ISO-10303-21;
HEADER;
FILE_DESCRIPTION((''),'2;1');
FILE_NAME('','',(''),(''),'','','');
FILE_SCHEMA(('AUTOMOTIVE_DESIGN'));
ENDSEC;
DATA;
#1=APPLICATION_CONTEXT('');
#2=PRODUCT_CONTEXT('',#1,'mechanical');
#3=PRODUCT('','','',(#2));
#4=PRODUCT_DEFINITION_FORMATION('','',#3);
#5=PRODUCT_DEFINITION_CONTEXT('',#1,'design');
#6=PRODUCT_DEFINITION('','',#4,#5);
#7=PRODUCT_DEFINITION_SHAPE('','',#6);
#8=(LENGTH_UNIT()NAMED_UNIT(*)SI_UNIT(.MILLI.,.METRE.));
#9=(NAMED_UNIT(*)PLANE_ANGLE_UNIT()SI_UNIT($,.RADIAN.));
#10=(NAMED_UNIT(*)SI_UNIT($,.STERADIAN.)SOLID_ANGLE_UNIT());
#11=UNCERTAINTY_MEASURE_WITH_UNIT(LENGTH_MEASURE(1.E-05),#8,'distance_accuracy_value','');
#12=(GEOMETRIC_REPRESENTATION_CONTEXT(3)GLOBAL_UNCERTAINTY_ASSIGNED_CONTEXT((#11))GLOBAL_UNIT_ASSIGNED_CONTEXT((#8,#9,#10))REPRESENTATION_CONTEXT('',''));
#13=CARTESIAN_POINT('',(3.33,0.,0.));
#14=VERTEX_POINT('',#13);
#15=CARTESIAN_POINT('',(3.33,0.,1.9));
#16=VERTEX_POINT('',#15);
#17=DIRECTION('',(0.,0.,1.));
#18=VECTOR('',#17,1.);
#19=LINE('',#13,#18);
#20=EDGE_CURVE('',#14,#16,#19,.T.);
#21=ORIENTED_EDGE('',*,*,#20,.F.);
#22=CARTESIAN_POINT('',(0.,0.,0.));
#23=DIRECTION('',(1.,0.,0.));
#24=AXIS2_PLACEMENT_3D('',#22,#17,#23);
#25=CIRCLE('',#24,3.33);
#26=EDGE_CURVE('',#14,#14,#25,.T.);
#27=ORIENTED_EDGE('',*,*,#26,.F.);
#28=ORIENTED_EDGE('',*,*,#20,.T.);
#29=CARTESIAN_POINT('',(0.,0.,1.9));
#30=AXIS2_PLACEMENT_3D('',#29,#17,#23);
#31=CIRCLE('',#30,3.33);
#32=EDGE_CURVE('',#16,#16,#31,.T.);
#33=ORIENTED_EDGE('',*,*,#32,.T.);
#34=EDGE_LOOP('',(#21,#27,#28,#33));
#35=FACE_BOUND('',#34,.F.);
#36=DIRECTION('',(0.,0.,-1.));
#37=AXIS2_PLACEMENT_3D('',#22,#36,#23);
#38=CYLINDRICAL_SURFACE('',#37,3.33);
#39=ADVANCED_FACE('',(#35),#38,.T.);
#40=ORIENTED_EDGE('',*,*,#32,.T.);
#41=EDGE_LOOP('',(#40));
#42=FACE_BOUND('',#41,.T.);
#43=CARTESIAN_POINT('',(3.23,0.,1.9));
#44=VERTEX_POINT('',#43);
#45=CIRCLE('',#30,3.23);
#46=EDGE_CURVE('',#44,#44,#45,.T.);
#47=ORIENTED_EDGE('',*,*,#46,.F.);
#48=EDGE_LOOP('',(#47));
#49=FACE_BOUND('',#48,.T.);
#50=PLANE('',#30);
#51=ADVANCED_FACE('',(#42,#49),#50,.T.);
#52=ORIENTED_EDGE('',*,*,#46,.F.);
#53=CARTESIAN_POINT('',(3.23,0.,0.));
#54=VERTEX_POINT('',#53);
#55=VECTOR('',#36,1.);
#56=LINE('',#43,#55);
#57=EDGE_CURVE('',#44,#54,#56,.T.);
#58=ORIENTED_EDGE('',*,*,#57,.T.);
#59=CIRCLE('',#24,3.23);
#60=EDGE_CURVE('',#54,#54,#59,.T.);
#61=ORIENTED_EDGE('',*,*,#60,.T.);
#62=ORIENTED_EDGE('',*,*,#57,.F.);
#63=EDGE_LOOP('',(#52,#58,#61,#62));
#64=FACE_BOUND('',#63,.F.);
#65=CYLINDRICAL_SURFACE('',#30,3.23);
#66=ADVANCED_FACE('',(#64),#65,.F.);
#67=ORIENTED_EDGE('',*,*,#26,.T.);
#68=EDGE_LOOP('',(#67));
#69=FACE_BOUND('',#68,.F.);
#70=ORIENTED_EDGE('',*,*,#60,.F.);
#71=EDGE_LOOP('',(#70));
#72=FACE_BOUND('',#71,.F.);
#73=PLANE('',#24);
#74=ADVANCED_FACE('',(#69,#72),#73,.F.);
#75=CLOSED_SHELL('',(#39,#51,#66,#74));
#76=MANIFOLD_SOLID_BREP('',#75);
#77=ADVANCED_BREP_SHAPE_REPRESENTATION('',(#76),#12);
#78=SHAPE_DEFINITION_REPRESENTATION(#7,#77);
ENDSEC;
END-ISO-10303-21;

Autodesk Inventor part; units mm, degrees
ref_plane "YZ Plane" through (0, 0, 0) normal (1, 0, 0) x (0, 1, 0)
ref_plane "XZ Plane" through (0, 0, 0) normal (0, 1, 0) x (-1, 0, 0)
ref_plane "XY Plane" through (0, 0, 0) normal (0, 0, 1) x (1, 0, 0)
sketch "Sketch1" plane through (0, 0, 0) normal (0, 0, 1) x (1, 0, 0)
  circle A0 centre (0, 0) radius 3.33
  dimension "d0" = 6.66
extrude "Extrusion1" add sketch "Sketch1" along normal blind 1.9
sketch "Sketch2" plane through (0, 0, 1.9) normal (0, 0, 1) x (1, 0, 0)
  circle A0 centre (0, 0) radius 3.23
  dimension "d3" = 6.46
extrude "Extrusion2" cut sketch "Sketch2" against normal through all
properties part number "CAPTURE_4"
